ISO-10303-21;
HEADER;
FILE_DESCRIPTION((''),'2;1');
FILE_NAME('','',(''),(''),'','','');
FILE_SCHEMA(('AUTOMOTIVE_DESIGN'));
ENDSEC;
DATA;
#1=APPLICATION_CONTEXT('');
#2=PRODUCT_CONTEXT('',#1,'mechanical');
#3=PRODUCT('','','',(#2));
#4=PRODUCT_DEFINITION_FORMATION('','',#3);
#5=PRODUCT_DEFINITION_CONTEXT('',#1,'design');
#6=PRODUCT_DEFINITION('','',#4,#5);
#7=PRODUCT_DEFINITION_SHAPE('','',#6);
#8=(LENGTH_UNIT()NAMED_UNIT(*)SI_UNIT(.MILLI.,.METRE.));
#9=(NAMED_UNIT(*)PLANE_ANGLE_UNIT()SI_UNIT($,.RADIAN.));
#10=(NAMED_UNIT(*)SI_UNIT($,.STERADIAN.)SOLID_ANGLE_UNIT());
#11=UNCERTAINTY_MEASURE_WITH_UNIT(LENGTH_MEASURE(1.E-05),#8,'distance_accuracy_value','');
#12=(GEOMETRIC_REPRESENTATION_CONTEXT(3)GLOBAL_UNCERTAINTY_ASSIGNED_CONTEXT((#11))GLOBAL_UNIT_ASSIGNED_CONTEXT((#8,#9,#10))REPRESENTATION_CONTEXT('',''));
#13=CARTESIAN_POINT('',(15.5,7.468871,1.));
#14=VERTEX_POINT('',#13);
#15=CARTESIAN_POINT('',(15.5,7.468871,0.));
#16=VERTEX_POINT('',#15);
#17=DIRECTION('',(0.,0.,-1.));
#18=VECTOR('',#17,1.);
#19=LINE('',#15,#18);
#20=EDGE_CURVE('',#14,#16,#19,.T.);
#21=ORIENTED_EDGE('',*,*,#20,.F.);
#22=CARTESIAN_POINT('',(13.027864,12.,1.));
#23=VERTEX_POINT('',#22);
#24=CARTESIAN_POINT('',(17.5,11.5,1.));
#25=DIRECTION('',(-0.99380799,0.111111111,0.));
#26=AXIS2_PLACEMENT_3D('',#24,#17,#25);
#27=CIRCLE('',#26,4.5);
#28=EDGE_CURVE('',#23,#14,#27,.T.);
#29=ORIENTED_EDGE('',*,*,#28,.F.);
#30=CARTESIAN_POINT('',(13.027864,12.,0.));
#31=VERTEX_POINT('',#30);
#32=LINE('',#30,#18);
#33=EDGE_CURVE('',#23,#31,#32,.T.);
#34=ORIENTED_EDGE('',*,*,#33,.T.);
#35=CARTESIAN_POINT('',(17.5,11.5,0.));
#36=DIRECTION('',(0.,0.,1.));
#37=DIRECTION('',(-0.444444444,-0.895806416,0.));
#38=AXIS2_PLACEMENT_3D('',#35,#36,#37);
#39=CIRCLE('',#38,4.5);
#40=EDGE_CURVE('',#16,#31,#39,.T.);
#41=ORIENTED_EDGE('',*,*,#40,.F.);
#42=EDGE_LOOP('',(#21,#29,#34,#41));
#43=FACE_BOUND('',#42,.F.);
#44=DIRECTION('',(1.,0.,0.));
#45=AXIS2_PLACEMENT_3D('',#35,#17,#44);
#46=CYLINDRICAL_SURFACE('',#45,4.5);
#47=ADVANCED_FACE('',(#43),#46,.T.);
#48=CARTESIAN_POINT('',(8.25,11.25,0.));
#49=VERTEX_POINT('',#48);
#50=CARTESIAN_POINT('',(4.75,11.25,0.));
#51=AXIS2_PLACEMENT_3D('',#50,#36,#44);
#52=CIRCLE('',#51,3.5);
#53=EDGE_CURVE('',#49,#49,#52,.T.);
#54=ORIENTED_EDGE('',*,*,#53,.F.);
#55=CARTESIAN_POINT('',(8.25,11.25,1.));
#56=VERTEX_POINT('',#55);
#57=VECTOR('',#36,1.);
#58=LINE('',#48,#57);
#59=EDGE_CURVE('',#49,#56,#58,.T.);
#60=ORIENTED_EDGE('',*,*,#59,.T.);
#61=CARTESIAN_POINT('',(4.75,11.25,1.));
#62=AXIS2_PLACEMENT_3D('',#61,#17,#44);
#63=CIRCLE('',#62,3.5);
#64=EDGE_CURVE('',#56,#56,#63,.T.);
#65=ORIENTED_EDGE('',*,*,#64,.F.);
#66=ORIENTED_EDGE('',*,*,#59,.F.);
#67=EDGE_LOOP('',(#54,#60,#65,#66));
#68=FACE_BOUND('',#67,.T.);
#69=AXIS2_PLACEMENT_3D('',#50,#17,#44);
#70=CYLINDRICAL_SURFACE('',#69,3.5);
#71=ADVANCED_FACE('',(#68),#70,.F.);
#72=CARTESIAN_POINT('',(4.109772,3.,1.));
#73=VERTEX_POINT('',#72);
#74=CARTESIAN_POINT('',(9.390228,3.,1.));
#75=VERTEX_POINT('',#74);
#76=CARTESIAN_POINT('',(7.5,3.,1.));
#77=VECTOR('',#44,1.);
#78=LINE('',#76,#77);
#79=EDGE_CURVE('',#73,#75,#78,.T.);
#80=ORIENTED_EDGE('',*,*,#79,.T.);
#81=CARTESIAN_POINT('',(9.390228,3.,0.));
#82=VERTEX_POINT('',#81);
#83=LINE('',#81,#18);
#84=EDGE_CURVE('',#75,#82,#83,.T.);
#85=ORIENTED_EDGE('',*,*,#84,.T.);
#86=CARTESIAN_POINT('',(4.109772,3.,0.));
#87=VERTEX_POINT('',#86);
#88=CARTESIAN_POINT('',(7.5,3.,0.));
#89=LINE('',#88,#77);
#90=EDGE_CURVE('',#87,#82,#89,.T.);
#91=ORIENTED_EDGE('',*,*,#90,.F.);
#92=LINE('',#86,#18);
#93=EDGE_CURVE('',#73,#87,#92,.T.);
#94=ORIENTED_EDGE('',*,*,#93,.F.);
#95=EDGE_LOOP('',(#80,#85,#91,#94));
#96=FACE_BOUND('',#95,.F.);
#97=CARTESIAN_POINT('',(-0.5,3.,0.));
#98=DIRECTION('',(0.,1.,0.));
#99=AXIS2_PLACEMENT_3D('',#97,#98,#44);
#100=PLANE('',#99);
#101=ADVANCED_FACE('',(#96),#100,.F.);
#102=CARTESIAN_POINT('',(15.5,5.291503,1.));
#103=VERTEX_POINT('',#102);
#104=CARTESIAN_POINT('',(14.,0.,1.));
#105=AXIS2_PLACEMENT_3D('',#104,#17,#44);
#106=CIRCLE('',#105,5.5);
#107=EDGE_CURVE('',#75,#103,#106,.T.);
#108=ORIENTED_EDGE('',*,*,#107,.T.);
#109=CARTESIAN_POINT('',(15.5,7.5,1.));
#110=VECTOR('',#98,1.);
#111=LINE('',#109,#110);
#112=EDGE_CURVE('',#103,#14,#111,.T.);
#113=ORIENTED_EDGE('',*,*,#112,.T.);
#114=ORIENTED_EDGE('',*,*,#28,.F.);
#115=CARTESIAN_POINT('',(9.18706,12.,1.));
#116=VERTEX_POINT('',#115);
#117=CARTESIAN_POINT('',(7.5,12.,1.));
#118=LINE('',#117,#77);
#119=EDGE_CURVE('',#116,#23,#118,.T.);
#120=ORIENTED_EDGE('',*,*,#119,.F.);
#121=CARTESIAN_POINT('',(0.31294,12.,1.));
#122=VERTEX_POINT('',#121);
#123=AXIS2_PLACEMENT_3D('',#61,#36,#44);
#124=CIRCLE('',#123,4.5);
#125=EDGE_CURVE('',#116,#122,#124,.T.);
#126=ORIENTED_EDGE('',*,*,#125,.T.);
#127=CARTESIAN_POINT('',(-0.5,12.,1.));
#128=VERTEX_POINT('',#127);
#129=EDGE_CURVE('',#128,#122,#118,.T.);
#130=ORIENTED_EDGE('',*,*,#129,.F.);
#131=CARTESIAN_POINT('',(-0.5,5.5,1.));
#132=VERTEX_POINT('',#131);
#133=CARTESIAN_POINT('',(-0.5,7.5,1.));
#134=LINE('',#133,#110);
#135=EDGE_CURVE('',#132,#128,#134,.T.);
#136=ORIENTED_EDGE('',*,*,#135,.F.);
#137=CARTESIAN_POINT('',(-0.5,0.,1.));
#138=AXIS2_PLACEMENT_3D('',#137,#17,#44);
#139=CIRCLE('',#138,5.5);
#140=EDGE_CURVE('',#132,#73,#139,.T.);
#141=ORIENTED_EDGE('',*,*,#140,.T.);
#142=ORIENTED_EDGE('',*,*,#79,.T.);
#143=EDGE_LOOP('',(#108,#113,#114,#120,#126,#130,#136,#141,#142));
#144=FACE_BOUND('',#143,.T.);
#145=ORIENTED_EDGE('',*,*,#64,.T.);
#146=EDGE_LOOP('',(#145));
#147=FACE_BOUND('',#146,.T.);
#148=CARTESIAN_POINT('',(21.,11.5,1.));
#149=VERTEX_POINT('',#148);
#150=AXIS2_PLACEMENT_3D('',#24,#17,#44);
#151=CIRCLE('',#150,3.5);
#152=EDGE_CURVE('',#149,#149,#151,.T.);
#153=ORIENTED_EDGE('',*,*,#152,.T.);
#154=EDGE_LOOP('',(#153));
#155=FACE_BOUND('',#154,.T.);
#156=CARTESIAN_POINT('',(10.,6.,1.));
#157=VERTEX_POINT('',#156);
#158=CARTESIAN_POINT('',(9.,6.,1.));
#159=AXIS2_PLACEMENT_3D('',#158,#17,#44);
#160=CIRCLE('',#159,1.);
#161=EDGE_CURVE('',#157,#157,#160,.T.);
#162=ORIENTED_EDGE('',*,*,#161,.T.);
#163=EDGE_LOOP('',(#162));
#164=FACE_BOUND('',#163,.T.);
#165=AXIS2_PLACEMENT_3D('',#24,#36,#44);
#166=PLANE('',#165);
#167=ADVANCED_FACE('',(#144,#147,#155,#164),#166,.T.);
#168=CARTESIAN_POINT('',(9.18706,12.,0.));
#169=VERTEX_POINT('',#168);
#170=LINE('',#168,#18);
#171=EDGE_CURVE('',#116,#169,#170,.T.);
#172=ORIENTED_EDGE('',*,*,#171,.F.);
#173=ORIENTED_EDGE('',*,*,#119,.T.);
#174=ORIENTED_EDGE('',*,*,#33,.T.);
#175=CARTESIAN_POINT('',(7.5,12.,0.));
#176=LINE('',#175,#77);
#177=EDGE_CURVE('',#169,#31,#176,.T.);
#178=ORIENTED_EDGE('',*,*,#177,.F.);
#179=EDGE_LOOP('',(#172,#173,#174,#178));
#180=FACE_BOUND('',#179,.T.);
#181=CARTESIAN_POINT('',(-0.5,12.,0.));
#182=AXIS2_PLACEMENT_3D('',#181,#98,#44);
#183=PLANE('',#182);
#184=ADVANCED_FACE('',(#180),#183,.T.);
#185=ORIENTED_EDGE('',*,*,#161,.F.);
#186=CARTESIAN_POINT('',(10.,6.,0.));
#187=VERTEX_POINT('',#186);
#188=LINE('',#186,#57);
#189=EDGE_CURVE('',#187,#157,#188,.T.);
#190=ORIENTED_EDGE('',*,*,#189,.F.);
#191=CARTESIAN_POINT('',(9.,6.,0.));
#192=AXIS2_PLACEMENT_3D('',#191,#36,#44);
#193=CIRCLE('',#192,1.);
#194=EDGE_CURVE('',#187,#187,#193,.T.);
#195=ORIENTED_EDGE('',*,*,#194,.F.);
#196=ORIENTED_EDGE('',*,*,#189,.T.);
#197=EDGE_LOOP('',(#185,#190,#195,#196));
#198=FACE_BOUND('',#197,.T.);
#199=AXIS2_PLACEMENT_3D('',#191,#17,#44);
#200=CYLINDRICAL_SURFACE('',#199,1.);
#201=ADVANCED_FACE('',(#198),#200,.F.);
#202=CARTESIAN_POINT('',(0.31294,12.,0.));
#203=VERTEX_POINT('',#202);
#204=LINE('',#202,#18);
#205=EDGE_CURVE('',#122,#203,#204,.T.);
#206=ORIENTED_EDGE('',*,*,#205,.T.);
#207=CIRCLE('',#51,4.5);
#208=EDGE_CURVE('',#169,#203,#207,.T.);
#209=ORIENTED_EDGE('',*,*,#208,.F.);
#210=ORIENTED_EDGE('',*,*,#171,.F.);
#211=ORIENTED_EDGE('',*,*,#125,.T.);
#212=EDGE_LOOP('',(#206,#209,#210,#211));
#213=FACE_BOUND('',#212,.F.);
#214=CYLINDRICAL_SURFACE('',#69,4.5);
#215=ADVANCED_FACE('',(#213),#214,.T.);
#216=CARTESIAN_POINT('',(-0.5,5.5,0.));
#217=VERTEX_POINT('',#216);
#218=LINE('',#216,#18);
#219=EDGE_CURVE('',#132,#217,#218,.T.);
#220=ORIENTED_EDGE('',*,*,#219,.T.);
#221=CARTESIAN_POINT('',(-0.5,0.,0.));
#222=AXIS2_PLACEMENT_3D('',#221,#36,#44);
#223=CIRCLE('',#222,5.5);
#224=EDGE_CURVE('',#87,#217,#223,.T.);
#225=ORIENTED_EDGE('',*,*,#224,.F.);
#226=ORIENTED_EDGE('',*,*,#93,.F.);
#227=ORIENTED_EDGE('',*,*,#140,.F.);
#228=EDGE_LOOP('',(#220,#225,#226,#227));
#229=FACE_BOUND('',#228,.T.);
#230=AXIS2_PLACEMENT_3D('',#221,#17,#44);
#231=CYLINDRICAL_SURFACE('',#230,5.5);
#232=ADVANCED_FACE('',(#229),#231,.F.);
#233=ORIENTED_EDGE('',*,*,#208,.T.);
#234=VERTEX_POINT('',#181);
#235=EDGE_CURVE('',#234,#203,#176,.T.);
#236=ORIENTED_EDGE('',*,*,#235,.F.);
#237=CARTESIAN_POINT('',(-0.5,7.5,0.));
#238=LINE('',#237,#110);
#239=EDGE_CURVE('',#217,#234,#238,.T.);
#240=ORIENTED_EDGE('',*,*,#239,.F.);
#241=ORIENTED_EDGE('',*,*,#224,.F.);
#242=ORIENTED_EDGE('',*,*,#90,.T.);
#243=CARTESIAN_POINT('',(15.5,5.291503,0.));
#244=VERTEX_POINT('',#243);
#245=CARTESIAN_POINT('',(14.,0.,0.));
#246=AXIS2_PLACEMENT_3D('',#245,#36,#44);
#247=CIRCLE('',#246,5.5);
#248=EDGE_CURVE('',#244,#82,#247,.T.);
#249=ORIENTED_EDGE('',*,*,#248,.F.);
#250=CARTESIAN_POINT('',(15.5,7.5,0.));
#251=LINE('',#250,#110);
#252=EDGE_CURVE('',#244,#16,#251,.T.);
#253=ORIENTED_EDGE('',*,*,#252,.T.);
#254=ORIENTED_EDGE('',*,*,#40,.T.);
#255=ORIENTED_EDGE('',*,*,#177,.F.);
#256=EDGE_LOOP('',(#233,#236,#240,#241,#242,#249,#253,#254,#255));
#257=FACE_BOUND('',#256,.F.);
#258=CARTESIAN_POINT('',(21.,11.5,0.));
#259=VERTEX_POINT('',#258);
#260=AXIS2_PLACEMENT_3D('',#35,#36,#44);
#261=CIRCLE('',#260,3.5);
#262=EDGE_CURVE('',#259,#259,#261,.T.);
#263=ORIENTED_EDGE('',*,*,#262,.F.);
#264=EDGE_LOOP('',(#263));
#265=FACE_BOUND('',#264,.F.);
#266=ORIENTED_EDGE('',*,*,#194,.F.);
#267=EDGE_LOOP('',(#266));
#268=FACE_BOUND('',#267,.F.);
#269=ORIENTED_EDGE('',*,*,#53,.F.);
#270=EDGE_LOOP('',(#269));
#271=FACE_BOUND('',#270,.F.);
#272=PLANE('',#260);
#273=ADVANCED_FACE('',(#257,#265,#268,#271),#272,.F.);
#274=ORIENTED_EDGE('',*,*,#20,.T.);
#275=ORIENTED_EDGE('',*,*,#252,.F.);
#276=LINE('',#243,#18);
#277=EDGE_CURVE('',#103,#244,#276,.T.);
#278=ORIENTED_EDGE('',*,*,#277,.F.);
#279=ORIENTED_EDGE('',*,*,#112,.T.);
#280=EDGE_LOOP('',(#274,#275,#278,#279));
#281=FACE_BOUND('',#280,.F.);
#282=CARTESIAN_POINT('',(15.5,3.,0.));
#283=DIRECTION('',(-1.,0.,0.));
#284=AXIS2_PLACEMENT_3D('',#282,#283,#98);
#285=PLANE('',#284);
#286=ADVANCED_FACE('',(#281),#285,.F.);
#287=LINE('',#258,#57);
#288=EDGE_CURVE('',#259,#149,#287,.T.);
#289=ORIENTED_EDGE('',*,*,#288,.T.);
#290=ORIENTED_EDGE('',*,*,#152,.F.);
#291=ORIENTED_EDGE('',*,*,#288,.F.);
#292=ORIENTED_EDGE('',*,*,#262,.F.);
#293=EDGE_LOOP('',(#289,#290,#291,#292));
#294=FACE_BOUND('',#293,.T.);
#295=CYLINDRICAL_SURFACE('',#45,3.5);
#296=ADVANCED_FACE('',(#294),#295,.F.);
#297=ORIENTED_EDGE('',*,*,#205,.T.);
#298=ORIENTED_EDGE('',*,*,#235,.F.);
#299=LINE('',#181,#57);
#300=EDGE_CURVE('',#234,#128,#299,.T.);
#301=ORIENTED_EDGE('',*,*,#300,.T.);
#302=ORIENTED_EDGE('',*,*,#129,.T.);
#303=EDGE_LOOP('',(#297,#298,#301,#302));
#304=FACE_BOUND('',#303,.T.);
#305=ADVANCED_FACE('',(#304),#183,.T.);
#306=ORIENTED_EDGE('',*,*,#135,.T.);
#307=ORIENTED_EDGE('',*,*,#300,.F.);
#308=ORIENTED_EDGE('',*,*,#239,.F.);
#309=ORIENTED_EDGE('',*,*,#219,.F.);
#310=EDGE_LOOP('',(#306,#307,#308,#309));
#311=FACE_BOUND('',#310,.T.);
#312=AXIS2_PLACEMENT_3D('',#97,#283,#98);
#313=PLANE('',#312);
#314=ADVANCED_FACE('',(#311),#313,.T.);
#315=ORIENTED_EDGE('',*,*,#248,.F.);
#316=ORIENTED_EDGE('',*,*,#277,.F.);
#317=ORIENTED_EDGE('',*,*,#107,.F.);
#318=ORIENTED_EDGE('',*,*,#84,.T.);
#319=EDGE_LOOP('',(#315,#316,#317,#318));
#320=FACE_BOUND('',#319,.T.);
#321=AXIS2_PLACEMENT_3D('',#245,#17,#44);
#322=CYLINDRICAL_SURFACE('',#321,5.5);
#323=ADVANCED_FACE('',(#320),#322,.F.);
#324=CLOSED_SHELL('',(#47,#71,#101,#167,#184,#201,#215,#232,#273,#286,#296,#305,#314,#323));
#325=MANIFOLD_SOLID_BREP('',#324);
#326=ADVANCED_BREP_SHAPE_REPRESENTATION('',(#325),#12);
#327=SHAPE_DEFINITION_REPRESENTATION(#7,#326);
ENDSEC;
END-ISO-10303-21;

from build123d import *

# Parameters (mm, degrees)
CYLINDER002_R     = 1
CYLINDER002_DEPTH = 10
CYLINDER001_R     = 5.5
CYLINDER001_DEPTH = 10
CYLINDER003_R     = 3.5
CYLINDER003_DEPTH = 10
CYLINDER004_R     = 3.5
CYLINDER004_DEPTH = 10
CYLINDER_R        = 5.5
CYLINDER_DEPTH    = 10
CYLINDER005_R     = 4.5
CYLINDER005_DEPTH = 1
CYLINDER006_R     = 4.5
CYLINDER006_DEPTH = 1
BOX_W             = 16
BOX_H             = 9
BOX_DEPTH         = 1


with BuildPart() as cylinder002_post_hole:
    # Cylinder002 → Cylinder002 (new body)
    with BuildSketch(Plane(origin=(9, 6, 0), x_dir=(1, 0, 0), z_dir=(0, 0, 1))):
        Circle(CYLINDER002_R)
    extrude(amount=CYLINDER002_DEPTH)


with BuildPart() as cylinder001_b:
    # Cylinder001 → Cylinder001 (new body)
    with BuildSketch(Plane(origin=(14, 0, 0), x_dir=(1, 0, 0), z_dir=(0, 0, 1))):
        Circle(CYLINDER001_R)
    extrude(amount=CYLINDER001_DEPTH)


with BuildPart() as cylinder003_b2_inner:
    # Cylinder003 → Cylinder003 (new body)
    with BuildSketch(Plane(origin=(17.5, 11.5, 0), x_dir=(1, 0, 0), z_dir=(0, 0, 1))):
        Circle(CYLINDER003_R)
    extrude(amount=CYLINDER003_DEPTH)


with BuildPart() as cylinder004_a2_inner:
    # Cylinder004 → Cylinder004 (new body)
    with BuildSketch(Plane(origin=(4.75, 11.25, 0), x_dir=(1, 0, 0), z_dir=(0, 0, 1))):
        Circle(CYLINDER004_R)
    extrude(amount=CYLINDER004_DEPTH)


with BuildPart() as fusion001:
    # Cylinder → Cylinder (new body)
    with BuildSketch(Plane(origin=(-0.5, 0, 0), x_dir=(1, 0, 0), z_dir=(0, 0, 1))):
        Circle(CYLINDER_R)
    extrude(amount=CYLINDER_DEPTH)

    # Fusion001: union Cylinder002(post_hole), Cylinder001(B), Cylinder003(B2)(inner), Cylinder004(A2)(inner)
    add(cylinder002_post_hole.part)
    add(cylinder001_b.part)
    add(cylinder003_b2_inner.part)
    add(cylinder004_a2_inner.part)


with BuildPart() as cylinder003_b2_outer:
    # Cylinder005 → Cylinder005 (new body)
    with BuildSketch(Plane(origin=(17.5, 11.5, 0), x_dir=(1, 0, 0), z_dir=(0, 0, 1))):
        Circle(CYLINDER005_R)
    extrude(amount=CYLINDER005_DEPTH)


with BuildPart() as cylinder004_a2_outer:
    # Cylinder006 → Cylinder006 (new body)
    with BuildSketch(Plane(origin=(4.75, 11.25, 0), x_dir=(1, 0, 0), z_dir=(0, 0, 1))):
        Circle(CYLINDER006_R)
    extrude(amount=CYLINDER006_DEPTH)


with BuildPart() as cut_button_well:
    # Box → Box (new body)
    with BuildSketch(Plane(origin=(-0.5, 3, 0), x_dir=(1, 0, 0), z_dir=(0, 0, 1))):
        with Locations((8, 4.5)):
            Rectangle(BOX_W, BOX_H)
    extrude(amount=BOX_DEPTH)

    # Fusion: union Cylinder003(B2)(outer), Cylinder004(A2)(outer)
    add(cylinder003_b2_outer.part)
    add(cylinder004_a2_outer.part)

    # Cut: cut Fusion001
    add(fusion001.part, mode=Mode.SUBTRACT)


solid = cut_button_well.part
